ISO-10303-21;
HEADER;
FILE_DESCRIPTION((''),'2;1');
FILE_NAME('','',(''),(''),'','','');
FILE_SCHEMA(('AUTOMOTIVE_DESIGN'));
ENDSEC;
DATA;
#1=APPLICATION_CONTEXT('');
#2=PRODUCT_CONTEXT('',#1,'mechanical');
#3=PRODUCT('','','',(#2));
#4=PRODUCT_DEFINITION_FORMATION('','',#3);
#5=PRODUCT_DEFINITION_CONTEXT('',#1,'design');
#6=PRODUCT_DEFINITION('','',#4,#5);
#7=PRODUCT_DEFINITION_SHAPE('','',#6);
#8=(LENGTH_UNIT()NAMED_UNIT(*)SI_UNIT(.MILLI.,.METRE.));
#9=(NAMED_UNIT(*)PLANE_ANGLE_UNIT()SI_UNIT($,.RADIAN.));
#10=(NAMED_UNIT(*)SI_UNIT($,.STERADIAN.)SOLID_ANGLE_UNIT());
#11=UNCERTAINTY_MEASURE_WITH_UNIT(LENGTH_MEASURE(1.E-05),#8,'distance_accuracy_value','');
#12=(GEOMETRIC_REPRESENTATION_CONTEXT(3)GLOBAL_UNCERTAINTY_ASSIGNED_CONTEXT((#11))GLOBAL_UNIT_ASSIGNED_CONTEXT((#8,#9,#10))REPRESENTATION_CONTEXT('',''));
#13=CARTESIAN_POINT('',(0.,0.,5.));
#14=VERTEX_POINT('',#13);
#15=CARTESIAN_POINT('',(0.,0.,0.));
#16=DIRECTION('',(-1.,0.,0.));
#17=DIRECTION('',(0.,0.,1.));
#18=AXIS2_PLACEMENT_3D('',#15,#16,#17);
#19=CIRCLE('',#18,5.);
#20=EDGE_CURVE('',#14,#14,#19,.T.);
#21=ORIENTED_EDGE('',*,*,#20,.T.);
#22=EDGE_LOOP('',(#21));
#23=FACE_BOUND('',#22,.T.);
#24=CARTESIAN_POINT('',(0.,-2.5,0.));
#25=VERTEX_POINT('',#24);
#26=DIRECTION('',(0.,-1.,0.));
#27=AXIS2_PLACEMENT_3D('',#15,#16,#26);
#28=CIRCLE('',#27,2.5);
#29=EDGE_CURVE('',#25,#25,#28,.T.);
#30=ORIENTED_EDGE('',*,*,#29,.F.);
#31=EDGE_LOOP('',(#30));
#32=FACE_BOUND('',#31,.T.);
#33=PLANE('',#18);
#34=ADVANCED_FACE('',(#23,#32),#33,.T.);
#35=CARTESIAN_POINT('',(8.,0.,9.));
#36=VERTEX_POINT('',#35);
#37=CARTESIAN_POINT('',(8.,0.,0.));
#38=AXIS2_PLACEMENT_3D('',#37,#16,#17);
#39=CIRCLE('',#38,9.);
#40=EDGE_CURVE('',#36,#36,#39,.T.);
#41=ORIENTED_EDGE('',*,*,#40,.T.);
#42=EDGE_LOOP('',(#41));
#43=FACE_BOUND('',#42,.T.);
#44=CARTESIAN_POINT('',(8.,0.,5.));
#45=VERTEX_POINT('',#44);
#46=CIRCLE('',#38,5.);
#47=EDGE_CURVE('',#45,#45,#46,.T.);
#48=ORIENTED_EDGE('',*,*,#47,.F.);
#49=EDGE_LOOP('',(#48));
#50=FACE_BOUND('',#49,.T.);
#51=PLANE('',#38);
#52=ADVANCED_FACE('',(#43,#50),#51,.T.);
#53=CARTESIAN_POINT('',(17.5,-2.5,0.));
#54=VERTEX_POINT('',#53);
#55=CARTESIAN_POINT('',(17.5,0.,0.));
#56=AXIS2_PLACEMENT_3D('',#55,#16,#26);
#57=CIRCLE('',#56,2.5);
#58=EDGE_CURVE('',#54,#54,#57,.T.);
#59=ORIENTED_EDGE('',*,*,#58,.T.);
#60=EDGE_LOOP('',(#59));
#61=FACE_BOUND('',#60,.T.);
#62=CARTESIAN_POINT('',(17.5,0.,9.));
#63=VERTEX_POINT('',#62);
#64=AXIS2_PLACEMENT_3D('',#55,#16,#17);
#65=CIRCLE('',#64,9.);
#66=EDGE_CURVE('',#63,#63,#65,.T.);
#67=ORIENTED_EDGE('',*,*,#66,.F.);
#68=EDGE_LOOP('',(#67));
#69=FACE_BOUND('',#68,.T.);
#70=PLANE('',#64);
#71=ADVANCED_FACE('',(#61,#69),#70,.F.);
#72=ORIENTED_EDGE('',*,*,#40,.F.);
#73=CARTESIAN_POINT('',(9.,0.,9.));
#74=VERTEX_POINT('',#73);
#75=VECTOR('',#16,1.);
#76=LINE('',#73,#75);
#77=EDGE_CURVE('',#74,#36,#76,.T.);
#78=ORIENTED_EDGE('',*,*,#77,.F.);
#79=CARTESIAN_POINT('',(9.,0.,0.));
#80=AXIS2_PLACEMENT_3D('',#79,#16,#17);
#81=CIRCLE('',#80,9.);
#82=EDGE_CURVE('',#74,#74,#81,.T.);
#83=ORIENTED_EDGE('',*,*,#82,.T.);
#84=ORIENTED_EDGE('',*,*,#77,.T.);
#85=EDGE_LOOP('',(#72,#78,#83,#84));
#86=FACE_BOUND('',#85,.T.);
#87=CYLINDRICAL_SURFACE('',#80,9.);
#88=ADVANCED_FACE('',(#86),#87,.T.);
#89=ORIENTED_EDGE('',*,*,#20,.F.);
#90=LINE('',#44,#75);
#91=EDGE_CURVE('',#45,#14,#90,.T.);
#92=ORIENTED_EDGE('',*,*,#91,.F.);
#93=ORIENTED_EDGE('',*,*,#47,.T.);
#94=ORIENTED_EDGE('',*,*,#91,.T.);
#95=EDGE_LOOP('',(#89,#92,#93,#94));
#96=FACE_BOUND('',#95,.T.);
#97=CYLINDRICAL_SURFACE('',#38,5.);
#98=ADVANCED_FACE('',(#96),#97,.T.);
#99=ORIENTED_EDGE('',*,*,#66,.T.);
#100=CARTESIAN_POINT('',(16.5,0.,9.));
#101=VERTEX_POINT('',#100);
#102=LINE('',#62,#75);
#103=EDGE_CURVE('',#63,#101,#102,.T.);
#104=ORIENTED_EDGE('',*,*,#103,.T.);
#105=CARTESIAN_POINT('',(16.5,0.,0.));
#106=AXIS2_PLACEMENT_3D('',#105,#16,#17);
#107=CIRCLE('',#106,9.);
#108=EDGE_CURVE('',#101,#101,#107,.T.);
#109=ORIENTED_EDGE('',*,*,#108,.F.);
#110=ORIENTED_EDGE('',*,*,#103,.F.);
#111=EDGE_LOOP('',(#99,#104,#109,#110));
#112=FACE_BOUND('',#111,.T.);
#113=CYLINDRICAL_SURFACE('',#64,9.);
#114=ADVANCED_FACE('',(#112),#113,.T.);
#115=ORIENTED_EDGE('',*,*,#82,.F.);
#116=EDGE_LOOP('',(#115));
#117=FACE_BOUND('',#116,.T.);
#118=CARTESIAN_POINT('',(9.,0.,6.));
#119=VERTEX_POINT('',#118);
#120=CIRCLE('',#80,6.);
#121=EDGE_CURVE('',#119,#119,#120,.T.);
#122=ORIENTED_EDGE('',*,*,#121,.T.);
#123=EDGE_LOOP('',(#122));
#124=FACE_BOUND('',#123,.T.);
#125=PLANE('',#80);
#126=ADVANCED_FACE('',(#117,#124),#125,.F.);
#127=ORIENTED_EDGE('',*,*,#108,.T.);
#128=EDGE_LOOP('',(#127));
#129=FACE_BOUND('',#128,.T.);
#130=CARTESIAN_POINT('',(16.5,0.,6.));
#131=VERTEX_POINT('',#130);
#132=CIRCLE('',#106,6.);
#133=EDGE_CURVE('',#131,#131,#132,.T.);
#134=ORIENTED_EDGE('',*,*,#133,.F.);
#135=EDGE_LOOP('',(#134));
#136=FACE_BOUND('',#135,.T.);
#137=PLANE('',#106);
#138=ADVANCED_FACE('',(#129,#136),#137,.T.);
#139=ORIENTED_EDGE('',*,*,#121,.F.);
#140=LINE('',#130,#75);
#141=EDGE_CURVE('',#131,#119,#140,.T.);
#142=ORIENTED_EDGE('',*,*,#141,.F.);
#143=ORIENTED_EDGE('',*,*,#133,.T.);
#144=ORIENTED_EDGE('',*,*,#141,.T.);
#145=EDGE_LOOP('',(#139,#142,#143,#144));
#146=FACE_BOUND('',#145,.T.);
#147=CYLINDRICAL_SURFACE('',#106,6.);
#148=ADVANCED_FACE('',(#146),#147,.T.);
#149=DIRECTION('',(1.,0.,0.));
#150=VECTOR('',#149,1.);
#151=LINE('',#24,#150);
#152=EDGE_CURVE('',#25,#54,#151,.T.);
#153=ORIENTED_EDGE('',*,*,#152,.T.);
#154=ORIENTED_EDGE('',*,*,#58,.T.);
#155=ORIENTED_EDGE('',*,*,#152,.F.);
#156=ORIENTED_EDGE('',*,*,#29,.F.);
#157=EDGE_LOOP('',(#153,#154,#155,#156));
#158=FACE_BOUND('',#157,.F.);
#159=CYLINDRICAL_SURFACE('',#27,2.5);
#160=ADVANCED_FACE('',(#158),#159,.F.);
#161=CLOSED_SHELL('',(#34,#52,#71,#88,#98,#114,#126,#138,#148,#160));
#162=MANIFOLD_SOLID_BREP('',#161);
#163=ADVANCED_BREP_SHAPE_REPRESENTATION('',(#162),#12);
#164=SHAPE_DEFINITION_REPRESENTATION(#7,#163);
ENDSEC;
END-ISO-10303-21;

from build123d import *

# Parameters (mm, degrees)
F2_R     = 2.5
F3_DEPTH = 17.501


with BuildPart() as f1:
    # F0 (on Front) → F1 (revolve)
    with BuildSketch(Plane.XZ):
        Polygon((0, 5), (0, 0), (17.5, 0), (17.5, 9), (16.5, 9), (16.5, 6), (9, 6), (9, 9), (8, 9), (8, 5), align=None)
    revolve(axis=Axis((-7.792865, 0, 0), (-1, 0, 0)))

    # F2 (on face) → F3 (cut, through all)
    with BuildSketch(Plane(origin=(0, 0, 0), x_dir=(0, -1, 0), z_dir=(-1, 0, 0))):
        Circle(F2_R)
    extrude(amount=-F3_DEPTH, mode=Mode.SUBTRACT)


solid = f1.part
